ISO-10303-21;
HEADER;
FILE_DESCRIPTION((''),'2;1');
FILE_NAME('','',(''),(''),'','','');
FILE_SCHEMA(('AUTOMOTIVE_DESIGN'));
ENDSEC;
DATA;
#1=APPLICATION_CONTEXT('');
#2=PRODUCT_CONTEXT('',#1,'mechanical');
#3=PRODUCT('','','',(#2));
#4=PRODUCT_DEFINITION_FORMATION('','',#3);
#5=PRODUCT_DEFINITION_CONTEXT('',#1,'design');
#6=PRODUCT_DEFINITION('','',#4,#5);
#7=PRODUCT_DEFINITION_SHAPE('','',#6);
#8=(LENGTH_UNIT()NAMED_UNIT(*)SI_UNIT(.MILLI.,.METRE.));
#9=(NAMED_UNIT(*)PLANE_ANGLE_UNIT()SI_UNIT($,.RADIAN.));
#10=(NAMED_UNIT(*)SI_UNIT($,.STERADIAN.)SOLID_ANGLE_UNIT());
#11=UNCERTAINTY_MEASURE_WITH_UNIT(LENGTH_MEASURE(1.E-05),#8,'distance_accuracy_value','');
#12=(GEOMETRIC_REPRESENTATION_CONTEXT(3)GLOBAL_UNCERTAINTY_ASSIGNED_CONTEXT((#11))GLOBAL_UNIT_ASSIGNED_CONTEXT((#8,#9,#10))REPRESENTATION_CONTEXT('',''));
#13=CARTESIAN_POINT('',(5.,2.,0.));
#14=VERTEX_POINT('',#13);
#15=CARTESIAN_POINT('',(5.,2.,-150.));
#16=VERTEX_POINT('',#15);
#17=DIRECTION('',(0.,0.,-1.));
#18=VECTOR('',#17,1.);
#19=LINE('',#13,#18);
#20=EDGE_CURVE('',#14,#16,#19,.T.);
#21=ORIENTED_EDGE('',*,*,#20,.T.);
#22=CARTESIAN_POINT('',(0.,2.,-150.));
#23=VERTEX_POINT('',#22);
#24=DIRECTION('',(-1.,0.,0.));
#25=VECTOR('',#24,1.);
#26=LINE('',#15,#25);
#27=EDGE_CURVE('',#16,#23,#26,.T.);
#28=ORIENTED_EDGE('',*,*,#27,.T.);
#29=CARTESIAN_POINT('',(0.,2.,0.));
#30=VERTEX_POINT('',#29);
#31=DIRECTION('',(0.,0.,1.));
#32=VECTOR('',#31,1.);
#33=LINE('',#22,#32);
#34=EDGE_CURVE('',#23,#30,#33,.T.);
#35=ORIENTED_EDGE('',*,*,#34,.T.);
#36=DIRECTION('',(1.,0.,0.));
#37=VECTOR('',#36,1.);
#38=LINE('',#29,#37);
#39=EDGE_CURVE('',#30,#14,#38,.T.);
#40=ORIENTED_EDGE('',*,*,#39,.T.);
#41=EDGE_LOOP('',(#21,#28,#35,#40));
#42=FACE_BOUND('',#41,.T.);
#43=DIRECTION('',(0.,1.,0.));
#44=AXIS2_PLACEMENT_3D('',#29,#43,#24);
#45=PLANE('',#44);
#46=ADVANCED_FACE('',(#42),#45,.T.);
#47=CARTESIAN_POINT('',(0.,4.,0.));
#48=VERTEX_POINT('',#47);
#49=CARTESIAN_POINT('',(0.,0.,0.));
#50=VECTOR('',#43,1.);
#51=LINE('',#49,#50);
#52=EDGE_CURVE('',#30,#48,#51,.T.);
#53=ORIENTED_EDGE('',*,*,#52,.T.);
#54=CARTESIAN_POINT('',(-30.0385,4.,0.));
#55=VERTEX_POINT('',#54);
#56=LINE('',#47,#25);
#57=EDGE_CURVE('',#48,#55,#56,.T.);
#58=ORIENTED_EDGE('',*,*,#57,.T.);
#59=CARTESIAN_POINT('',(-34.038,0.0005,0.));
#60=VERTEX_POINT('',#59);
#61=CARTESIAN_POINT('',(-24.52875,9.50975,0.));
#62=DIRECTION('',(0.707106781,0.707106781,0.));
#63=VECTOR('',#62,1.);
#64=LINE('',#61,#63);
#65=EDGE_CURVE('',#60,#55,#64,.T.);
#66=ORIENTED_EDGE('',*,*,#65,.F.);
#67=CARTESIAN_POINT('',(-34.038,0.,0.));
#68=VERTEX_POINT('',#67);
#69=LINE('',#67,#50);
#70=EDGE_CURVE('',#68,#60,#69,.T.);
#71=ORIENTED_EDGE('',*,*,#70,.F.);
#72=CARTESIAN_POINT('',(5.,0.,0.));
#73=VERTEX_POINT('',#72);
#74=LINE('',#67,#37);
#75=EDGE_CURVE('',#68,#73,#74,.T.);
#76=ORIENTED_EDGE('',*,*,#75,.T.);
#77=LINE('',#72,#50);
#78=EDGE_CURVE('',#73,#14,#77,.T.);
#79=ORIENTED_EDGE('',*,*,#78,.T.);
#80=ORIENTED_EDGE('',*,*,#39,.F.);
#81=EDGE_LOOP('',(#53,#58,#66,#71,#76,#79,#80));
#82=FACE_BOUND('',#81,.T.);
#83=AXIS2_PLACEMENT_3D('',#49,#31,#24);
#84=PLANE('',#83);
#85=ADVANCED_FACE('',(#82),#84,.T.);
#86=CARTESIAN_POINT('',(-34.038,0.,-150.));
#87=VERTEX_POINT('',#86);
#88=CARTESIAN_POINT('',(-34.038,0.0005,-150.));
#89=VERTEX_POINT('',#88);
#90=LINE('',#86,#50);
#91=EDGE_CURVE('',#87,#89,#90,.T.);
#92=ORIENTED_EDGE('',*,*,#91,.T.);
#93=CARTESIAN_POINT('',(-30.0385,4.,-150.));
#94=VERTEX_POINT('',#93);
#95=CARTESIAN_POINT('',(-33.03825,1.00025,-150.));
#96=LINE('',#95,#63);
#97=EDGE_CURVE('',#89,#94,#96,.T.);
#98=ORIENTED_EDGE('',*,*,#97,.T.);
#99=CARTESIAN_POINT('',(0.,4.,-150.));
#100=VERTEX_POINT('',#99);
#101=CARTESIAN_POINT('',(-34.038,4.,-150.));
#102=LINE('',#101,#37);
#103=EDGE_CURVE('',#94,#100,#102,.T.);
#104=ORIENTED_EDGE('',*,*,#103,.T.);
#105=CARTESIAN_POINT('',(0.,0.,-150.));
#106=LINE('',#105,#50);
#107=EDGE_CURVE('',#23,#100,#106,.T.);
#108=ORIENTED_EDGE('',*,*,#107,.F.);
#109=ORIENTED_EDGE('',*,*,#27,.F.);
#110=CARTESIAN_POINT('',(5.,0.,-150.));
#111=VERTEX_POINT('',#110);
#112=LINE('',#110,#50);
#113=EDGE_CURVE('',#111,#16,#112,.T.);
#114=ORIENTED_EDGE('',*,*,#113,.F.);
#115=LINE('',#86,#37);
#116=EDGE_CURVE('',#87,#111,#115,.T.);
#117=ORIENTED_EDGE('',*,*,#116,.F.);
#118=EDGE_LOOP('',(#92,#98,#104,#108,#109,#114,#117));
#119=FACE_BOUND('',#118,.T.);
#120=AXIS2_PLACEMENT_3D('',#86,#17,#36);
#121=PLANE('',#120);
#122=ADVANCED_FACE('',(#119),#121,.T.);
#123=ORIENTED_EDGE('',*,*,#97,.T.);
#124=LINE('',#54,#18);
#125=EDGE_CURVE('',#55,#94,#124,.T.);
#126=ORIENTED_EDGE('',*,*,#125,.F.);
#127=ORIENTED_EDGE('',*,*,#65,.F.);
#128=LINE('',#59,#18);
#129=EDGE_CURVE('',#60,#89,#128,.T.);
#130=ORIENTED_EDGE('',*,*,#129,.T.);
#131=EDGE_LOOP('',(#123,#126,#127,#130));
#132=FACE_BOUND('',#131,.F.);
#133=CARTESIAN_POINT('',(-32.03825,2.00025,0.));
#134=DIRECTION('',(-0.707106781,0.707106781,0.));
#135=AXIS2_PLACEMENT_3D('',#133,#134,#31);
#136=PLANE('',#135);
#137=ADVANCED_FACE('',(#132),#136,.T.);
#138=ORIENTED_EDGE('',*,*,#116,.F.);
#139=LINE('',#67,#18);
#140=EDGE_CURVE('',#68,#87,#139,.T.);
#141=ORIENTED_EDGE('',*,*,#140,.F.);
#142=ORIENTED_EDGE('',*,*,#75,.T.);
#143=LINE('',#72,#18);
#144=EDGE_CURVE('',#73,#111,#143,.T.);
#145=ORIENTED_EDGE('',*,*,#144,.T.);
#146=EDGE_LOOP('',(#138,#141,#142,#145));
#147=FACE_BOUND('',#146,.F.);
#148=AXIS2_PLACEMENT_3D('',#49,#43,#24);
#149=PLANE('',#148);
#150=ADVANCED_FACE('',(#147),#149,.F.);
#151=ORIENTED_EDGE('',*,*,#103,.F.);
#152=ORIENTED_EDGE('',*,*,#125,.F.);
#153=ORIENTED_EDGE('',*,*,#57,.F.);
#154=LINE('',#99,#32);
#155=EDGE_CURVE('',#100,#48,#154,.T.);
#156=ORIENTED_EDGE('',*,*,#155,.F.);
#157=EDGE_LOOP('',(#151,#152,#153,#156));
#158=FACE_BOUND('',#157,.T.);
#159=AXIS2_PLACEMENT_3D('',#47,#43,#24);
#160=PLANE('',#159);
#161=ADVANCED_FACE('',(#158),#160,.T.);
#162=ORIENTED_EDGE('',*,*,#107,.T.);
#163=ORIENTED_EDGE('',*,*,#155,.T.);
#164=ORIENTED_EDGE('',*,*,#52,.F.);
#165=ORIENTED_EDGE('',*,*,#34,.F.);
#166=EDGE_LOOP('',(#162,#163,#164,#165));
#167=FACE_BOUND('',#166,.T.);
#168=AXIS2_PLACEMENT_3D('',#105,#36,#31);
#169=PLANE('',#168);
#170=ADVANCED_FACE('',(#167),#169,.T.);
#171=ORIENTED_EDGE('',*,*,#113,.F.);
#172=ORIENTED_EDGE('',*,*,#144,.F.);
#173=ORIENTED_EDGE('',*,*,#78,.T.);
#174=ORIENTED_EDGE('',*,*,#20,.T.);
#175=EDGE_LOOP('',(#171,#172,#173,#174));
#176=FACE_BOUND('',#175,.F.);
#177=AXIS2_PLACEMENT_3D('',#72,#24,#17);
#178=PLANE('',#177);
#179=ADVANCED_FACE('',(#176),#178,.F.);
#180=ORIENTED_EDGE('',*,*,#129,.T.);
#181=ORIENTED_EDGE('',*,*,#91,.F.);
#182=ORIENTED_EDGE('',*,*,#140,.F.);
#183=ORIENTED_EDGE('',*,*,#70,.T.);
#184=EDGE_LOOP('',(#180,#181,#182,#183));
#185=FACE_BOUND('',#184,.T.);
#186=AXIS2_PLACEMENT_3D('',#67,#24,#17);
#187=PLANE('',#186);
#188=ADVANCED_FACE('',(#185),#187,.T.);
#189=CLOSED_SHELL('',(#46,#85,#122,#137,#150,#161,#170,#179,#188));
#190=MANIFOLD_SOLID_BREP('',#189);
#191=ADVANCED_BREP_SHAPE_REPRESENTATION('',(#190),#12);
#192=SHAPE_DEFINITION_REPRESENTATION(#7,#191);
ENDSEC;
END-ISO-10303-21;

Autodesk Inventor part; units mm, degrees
ref_plane "YZ Plane" through (0, 0, 0) normal (1, 0, 0) x (0, 1, 0)
ref_plane "XZ Plane" through (0, 0, 0) normal (0, 1, 0) x (-1, 0, 0)
ref_plane "XY Plane" through (0, 0, 0) normal (0, 0, 1) x (1, 0, 0)
sketch "Sketch1" plane through (0, 0, 0) normal (0, 1, 0) x (-1, 0, 0)
  line L0 (0, 0) -> (34.038, 0)
  line L1 (34.038, 0) -> (34.038, -150)
  line L2 (34.038, -150) -> (0, -150)
  line L3 (0, -150) -> (0, 0)
  line L4 (0, 0) -> (-5, 0)
  line L5 (-5, 0) -> (-5, -150)
  line L6 (-5, -150) -> (0, -150)
  dimension "d0" = 34.038
  dimension "d1" = 150
  dimension "d2" = 5
extrude "Extrusion1" add sketch "Sketch1" along normal blind 4 contours L0 L1 L2 L3
extrude "Extrusion2" add sketch "Sketch1" along normal blind 2 contours L3 L6 L5 L4
chamfer "Chamfer1" distance 4 angle 45 1 edges at (-34.038, 4, -75)
properties part number "frontWallipt"
